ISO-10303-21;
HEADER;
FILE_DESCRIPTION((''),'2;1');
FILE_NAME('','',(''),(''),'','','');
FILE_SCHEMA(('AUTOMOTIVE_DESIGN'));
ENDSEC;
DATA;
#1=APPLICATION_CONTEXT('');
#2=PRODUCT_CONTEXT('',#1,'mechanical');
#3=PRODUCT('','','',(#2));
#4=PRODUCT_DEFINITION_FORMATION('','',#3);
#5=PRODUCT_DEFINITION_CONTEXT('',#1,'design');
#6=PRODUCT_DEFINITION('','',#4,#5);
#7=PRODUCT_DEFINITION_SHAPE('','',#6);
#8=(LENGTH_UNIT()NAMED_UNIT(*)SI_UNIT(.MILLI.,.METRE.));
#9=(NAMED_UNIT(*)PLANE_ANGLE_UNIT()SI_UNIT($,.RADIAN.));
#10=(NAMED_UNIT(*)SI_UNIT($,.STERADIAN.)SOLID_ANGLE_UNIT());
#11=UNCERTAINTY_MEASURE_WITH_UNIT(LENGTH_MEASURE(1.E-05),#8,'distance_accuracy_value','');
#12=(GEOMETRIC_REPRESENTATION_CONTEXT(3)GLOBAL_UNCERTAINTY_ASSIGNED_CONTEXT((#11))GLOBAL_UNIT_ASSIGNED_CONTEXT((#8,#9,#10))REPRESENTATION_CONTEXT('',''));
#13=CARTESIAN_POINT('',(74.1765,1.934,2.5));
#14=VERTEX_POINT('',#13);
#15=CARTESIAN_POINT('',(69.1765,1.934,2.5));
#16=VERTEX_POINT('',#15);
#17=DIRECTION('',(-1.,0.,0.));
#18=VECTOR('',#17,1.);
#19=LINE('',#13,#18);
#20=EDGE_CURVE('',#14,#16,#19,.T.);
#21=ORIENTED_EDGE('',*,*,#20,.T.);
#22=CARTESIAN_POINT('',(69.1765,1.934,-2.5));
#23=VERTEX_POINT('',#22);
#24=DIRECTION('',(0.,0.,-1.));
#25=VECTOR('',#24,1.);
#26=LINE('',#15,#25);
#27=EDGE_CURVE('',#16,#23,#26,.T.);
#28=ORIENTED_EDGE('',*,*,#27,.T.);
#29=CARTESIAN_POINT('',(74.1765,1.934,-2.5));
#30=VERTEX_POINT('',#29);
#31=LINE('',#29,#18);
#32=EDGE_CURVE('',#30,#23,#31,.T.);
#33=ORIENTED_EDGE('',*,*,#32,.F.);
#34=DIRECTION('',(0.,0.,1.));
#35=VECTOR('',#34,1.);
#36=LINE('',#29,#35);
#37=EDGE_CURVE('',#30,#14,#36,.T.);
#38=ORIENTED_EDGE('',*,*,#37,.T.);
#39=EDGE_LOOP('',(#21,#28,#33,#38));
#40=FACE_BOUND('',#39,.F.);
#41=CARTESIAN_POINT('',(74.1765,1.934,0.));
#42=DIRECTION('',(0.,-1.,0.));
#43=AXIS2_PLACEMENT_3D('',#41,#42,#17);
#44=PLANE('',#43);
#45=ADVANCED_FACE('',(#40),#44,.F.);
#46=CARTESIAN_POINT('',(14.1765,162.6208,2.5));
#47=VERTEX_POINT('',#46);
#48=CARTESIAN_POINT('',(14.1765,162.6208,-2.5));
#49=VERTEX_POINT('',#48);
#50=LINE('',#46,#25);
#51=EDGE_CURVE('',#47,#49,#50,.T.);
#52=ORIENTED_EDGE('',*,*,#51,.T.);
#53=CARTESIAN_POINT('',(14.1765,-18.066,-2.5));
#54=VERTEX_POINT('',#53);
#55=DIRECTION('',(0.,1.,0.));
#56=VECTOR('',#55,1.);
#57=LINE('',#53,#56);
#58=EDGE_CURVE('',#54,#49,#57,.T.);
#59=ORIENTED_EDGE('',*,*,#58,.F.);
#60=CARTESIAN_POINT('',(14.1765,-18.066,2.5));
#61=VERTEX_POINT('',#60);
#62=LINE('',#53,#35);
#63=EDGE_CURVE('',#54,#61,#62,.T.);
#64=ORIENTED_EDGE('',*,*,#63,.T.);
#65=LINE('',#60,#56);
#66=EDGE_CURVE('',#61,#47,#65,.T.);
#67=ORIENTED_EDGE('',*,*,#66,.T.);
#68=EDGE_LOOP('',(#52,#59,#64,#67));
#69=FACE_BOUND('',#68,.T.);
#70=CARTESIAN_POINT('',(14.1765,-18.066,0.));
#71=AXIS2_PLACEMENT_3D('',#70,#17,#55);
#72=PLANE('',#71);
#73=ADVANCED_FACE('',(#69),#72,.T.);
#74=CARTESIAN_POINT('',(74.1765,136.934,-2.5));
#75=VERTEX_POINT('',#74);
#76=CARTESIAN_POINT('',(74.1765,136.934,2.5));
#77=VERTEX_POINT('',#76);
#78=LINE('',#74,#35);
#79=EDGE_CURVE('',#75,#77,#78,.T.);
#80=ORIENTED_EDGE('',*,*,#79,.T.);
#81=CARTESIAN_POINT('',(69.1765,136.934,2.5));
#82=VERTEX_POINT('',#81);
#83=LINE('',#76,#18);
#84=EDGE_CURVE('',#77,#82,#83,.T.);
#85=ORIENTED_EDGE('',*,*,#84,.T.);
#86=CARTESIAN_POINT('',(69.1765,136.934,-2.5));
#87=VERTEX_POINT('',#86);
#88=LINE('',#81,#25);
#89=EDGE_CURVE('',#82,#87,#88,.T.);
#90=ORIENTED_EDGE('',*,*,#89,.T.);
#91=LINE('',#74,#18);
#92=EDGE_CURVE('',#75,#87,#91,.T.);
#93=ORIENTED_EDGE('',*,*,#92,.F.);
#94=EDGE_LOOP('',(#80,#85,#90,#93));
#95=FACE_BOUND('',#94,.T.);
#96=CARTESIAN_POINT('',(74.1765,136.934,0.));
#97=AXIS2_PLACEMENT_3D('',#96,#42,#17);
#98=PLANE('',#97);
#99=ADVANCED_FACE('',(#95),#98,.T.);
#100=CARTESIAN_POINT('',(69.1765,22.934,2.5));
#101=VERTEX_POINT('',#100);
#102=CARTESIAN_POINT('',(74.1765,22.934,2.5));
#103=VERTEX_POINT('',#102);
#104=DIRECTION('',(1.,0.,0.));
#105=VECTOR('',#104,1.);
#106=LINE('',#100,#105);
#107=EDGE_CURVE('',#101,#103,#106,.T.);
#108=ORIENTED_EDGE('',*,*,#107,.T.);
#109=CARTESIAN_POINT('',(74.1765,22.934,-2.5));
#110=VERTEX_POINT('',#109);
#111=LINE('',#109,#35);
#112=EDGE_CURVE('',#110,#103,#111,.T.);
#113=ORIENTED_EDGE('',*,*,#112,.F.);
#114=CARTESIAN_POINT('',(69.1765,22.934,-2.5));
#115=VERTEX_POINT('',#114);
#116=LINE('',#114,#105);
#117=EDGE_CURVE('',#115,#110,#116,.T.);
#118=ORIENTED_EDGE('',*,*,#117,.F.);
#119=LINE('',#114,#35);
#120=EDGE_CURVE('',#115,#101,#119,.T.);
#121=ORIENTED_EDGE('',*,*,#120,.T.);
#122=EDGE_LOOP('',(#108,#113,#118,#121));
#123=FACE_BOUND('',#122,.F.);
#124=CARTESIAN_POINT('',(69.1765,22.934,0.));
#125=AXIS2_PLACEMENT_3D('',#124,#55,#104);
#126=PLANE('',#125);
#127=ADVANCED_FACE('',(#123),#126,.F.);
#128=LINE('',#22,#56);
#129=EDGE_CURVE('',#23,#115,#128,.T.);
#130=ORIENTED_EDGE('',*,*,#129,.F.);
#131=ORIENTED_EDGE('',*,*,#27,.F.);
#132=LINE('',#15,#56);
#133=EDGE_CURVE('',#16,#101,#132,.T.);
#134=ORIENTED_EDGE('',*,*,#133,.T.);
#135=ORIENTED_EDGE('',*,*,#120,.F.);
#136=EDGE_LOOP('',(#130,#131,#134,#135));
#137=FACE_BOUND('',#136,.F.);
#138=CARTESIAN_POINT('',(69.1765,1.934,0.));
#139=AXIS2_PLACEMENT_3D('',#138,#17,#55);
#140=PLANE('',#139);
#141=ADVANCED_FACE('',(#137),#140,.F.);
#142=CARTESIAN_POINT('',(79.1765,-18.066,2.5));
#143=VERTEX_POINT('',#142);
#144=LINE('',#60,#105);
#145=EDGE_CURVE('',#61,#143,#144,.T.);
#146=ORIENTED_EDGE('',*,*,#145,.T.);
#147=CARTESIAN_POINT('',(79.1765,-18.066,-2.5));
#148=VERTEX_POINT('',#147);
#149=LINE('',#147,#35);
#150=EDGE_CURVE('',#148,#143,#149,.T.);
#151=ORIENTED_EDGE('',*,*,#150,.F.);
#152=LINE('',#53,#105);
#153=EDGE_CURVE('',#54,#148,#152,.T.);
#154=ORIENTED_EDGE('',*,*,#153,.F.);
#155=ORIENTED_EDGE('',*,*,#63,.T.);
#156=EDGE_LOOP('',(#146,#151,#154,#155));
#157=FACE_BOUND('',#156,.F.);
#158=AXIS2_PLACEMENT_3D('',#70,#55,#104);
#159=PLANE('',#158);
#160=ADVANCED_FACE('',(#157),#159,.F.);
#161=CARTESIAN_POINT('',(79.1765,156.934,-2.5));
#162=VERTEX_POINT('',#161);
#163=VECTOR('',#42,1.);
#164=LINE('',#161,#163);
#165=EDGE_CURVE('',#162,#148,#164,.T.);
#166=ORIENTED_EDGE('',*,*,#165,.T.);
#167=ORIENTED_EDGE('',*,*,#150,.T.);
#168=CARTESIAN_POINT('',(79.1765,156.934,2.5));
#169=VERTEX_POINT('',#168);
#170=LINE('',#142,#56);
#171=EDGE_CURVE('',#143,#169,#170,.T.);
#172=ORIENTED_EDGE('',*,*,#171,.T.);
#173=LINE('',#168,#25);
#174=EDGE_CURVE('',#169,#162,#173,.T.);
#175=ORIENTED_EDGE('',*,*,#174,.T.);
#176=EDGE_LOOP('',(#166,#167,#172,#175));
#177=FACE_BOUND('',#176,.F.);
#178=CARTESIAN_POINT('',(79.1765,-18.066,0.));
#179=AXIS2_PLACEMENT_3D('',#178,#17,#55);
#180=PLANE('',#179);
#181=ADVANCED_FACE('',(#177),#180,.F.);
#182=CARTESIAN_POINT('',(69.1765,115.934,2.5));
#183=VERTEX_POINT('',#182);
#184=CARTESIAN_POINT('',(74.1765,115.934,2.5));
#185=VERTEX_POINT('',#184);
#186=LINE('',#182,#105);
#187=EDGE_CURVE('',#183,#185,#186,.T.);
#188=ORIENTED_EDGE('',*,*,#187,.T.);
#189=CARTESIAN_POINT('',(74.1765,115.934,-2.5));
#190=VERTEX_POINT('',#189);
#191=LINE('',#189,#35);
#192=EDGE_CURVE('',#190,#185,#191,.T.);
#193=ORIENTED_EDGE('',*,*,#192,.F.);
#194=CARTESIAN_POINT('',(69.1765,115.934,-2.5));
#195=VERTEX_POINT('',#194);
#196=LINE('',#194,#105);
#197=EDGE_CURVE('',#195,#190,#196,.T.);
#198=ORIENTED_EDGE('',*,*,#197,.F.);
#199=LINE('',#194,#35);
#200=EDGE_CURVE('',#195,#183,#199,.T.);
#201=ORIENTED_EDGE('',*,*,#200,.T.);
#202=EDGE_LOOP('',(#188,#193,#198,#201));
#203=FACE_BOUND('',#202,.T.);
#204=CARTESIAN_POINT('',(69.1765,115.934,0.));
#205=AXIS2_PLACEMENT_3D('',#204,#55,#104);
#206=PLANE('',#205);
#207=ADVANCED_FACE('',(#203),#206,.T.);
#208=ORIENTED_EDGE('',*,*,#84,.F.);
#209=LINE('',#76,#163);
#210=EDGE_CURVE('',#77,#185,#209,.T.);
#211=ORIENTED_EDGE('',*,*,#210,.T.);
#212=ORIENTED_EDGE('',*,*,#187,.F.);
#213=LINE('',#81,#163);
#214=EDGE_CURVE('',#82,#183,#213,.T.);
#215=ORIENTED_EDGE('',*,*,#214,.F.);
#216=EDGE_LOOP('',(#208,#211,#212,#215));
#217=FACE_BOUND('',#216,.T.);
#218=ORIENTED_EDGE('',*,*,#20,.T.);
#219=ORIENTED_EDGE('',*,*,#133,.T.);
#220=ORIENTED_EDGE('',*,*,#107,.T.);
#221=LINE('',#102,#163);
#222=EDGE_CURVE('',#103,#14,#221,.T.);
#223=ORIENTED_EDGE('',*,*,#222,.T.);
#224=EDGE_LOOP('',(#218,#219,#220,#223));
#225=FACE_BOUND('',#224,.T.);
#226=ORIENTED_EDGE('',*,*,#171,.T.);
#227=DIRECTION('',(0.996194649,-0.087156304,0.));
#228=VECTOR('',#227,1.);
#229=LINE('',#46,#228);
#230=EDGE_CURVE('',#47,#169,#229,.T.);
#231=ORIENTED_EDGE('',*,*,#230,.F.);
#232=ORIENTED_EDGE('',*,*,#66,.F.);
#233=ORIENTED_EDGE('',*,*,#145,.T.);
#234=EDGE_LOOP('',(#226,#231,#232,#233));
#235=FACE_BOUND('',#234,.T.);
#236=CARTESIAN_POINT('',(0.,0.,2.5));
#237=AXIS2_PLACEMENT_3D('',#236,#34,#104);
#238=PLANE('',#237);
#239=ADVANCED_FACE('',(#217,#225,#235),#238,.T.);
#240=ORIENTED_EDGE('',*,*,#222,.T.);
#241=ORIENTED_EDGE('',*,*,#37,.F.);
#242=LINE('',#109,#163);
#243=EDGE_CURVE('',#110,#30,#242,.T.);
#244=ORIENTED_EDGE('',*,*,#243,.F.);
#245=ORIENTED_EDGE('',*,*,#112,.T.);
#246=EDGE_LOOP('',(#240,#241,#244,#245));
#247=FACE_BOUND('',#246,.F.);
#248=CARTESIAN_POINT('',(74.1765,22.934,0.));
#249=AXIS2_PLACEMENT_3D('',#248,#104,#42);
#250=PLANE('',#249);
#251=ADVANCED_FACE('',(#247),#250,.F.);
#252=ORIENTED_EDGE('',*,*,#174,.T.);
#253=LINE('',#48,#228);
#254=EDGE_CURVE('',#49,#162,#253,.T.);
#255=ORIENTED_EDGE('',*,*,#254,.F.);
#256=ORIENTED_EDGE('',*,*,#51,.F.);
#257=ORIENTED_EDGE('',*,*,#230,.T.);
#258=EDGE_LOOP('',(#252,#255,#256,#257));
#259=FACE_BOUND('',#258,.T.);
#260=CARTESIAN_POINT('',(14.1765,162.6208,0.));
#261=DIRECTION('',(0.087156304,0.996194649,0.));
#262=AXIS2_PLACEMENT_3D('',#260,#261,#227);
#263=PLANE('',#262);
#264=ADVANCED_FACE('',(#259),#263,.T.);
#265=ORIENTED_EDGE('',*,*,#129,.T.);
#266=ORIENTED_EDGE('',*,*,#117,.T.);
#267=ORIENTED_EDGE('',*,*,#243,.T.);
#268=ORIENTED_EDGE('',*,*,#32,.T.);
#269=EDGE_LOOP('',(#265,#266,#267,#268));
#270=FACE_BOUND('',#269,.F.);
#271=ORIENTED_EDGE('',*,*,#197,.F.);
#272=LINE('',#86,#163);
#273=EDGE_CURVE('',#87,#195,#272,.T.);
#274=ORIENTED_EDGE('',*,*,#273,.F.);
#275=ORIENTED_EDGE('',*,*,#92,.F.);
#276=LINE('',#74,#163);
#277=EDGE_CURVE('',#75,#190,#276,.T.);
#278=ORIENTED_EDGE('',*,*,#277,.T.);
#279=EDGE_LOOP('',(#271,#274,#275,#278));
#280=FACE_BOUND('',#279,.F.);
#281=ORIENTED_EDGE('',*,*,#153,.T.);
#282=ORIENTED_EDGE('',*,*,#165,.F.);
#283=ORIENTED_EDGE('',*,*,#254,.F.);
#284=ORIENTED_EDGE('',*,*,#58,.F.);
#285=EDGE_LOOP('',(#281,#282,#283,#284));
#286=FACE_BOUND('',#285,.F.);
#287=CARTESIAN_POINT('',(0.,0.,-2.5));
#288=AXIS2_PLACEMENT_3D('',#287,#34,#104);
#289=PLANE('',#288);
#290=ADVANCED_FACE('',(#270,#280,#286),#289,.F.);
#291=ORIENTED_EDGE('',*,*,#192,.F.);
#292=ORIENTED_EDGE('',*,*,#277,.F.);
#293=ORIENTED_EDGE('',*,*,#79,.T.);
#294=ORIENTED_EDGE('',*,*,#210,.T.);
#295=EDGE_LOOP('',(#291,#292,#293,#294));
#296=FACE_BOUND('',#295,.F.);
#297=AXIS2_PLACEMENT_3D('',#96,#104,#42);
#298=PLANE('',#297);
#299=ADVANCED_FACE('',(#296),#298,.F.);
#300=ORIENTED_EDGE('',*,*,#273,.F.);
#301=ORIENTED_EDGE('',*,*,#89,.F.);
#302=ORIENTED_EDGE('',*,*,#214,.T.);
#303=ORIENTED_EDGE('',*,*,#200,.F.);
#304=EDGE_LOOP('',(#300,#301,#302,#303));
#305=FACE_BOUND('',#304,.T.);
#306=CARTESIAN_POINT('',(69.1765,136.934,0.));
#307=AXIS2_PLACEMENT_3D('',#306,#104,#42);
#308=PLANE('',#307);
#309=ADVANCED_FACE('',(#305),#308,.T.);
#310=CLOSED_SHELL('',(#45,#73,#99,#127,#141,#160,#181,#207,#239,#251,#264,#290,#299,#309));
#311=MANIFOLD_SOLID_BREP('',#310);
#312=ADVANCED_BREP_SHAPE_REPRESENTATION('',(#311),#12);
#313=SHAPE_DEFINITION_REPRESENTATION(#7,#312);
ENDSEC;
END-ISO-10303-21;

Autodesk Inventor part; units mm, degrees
ref_plane "YZ Plane" through (0, 0, 0) normal (1, 0, 0) x (0, 1, 0)
ref_plane "XZ Plane" through (0, 0, 0) normal (0, 1, 0) x (-1, 0, 0)
ref_plane "XY Plane" through (0, 0, 0) normal (0, 0, 1) x (1, 0, 0)
sketch "Sketch1" plane through (0, 0, 0) normal (0, 0, 1) x (1, 0, 0)
  line L0 (14.1765, -18.066) -> (14.1765, 162.6208)
  line L1 (14.1765, -18.066) -> (79.1765, -18.066)
  line L2 (79.1765, -18.066) -> (79.1765, 156.934)
  line L3 (79.1765, -18.066) -> (14.1765, -18.066)
  line L4 (79.1765, -18.066) -> (14.1765, -18.066)
  line L5 (14.1765, 162.6208) -> (79.1765, 156.934)
  line L6 (79.1765, 136.934) -> (74.1765, 136.934)
  line L7 (74.1765, 136.934) -> (74.1765, 115.934)
  line L8 (74.1765, 115.934) -> (79.1765, 115.934)
  line L9 (79.1765, 115.934) -> (79.1765, 136.934)
  line L10 (69.1765, 22.934) -> (74.1765, 22.934)
  line L11 (74.1765, 22.934) -> (74.1765, 1.934)
  line L12 (74.1765, 1.934) -> (69.1765, 1.934)
  line L13 (69.1765, 1.934) -> (69.1765, 22.934)
  line L14 (74.1765, 136.934) -> (69.1765, 136.934)
  line L15 (69.1765, 136.934) -> (69.1765, 115.934)
  line L16 (69.1765, 115.934) -> (74.1765, 115.934)
  line L17 (74.1765, 115.934) -> (74.1765, 136.934)
  point P0 (0, 0)
  point P1 (71.6765, 1.934)
  point P2 (79.2985, 0.69)
  point P3 (79.2985, 20.69)
  point P4 (79.1765, 115.934)
  dimension "d3" = 65
  dimension "d23" = 85
  dimension "d26" = 175
  dimension "d27" = 180.6868
  dimension "d28" = 5
  dimension "d29" = 21
  dimension "d30" = 5
  dimension "d31" = 21
  dimension "d32" = 20
  dimension "d33" = 20
  dimension "d35" = 5
  dimension "d36" = 5
extrude "Extrusion1" add sketch "Sketch1" along normal mid plane 5 contours L0 L5 L2 L6 L14 L15 L16 L8 L1 | L8 L7 L6 L2
equation "\"BendRadius\" = Thickness"
equation "\"BendReliefWidth\" = Thickness"
equation "\"BendReliefDepth\" = 0.5 * Thickness"
equation "\"CornerReliefSize\" = 4 * Thickness"
equation "\"MinimumRemnant\" = 2 * Thickness"
equation "\"TransitionRadius\" = BendRadius"
equation "\"JacobiRadiusSize\" = BendRadius"
equation "\"GapSize\" = Thickness"
equation "\"Thickness\" = 0.5"
properties part number "standformiddleslide1"
